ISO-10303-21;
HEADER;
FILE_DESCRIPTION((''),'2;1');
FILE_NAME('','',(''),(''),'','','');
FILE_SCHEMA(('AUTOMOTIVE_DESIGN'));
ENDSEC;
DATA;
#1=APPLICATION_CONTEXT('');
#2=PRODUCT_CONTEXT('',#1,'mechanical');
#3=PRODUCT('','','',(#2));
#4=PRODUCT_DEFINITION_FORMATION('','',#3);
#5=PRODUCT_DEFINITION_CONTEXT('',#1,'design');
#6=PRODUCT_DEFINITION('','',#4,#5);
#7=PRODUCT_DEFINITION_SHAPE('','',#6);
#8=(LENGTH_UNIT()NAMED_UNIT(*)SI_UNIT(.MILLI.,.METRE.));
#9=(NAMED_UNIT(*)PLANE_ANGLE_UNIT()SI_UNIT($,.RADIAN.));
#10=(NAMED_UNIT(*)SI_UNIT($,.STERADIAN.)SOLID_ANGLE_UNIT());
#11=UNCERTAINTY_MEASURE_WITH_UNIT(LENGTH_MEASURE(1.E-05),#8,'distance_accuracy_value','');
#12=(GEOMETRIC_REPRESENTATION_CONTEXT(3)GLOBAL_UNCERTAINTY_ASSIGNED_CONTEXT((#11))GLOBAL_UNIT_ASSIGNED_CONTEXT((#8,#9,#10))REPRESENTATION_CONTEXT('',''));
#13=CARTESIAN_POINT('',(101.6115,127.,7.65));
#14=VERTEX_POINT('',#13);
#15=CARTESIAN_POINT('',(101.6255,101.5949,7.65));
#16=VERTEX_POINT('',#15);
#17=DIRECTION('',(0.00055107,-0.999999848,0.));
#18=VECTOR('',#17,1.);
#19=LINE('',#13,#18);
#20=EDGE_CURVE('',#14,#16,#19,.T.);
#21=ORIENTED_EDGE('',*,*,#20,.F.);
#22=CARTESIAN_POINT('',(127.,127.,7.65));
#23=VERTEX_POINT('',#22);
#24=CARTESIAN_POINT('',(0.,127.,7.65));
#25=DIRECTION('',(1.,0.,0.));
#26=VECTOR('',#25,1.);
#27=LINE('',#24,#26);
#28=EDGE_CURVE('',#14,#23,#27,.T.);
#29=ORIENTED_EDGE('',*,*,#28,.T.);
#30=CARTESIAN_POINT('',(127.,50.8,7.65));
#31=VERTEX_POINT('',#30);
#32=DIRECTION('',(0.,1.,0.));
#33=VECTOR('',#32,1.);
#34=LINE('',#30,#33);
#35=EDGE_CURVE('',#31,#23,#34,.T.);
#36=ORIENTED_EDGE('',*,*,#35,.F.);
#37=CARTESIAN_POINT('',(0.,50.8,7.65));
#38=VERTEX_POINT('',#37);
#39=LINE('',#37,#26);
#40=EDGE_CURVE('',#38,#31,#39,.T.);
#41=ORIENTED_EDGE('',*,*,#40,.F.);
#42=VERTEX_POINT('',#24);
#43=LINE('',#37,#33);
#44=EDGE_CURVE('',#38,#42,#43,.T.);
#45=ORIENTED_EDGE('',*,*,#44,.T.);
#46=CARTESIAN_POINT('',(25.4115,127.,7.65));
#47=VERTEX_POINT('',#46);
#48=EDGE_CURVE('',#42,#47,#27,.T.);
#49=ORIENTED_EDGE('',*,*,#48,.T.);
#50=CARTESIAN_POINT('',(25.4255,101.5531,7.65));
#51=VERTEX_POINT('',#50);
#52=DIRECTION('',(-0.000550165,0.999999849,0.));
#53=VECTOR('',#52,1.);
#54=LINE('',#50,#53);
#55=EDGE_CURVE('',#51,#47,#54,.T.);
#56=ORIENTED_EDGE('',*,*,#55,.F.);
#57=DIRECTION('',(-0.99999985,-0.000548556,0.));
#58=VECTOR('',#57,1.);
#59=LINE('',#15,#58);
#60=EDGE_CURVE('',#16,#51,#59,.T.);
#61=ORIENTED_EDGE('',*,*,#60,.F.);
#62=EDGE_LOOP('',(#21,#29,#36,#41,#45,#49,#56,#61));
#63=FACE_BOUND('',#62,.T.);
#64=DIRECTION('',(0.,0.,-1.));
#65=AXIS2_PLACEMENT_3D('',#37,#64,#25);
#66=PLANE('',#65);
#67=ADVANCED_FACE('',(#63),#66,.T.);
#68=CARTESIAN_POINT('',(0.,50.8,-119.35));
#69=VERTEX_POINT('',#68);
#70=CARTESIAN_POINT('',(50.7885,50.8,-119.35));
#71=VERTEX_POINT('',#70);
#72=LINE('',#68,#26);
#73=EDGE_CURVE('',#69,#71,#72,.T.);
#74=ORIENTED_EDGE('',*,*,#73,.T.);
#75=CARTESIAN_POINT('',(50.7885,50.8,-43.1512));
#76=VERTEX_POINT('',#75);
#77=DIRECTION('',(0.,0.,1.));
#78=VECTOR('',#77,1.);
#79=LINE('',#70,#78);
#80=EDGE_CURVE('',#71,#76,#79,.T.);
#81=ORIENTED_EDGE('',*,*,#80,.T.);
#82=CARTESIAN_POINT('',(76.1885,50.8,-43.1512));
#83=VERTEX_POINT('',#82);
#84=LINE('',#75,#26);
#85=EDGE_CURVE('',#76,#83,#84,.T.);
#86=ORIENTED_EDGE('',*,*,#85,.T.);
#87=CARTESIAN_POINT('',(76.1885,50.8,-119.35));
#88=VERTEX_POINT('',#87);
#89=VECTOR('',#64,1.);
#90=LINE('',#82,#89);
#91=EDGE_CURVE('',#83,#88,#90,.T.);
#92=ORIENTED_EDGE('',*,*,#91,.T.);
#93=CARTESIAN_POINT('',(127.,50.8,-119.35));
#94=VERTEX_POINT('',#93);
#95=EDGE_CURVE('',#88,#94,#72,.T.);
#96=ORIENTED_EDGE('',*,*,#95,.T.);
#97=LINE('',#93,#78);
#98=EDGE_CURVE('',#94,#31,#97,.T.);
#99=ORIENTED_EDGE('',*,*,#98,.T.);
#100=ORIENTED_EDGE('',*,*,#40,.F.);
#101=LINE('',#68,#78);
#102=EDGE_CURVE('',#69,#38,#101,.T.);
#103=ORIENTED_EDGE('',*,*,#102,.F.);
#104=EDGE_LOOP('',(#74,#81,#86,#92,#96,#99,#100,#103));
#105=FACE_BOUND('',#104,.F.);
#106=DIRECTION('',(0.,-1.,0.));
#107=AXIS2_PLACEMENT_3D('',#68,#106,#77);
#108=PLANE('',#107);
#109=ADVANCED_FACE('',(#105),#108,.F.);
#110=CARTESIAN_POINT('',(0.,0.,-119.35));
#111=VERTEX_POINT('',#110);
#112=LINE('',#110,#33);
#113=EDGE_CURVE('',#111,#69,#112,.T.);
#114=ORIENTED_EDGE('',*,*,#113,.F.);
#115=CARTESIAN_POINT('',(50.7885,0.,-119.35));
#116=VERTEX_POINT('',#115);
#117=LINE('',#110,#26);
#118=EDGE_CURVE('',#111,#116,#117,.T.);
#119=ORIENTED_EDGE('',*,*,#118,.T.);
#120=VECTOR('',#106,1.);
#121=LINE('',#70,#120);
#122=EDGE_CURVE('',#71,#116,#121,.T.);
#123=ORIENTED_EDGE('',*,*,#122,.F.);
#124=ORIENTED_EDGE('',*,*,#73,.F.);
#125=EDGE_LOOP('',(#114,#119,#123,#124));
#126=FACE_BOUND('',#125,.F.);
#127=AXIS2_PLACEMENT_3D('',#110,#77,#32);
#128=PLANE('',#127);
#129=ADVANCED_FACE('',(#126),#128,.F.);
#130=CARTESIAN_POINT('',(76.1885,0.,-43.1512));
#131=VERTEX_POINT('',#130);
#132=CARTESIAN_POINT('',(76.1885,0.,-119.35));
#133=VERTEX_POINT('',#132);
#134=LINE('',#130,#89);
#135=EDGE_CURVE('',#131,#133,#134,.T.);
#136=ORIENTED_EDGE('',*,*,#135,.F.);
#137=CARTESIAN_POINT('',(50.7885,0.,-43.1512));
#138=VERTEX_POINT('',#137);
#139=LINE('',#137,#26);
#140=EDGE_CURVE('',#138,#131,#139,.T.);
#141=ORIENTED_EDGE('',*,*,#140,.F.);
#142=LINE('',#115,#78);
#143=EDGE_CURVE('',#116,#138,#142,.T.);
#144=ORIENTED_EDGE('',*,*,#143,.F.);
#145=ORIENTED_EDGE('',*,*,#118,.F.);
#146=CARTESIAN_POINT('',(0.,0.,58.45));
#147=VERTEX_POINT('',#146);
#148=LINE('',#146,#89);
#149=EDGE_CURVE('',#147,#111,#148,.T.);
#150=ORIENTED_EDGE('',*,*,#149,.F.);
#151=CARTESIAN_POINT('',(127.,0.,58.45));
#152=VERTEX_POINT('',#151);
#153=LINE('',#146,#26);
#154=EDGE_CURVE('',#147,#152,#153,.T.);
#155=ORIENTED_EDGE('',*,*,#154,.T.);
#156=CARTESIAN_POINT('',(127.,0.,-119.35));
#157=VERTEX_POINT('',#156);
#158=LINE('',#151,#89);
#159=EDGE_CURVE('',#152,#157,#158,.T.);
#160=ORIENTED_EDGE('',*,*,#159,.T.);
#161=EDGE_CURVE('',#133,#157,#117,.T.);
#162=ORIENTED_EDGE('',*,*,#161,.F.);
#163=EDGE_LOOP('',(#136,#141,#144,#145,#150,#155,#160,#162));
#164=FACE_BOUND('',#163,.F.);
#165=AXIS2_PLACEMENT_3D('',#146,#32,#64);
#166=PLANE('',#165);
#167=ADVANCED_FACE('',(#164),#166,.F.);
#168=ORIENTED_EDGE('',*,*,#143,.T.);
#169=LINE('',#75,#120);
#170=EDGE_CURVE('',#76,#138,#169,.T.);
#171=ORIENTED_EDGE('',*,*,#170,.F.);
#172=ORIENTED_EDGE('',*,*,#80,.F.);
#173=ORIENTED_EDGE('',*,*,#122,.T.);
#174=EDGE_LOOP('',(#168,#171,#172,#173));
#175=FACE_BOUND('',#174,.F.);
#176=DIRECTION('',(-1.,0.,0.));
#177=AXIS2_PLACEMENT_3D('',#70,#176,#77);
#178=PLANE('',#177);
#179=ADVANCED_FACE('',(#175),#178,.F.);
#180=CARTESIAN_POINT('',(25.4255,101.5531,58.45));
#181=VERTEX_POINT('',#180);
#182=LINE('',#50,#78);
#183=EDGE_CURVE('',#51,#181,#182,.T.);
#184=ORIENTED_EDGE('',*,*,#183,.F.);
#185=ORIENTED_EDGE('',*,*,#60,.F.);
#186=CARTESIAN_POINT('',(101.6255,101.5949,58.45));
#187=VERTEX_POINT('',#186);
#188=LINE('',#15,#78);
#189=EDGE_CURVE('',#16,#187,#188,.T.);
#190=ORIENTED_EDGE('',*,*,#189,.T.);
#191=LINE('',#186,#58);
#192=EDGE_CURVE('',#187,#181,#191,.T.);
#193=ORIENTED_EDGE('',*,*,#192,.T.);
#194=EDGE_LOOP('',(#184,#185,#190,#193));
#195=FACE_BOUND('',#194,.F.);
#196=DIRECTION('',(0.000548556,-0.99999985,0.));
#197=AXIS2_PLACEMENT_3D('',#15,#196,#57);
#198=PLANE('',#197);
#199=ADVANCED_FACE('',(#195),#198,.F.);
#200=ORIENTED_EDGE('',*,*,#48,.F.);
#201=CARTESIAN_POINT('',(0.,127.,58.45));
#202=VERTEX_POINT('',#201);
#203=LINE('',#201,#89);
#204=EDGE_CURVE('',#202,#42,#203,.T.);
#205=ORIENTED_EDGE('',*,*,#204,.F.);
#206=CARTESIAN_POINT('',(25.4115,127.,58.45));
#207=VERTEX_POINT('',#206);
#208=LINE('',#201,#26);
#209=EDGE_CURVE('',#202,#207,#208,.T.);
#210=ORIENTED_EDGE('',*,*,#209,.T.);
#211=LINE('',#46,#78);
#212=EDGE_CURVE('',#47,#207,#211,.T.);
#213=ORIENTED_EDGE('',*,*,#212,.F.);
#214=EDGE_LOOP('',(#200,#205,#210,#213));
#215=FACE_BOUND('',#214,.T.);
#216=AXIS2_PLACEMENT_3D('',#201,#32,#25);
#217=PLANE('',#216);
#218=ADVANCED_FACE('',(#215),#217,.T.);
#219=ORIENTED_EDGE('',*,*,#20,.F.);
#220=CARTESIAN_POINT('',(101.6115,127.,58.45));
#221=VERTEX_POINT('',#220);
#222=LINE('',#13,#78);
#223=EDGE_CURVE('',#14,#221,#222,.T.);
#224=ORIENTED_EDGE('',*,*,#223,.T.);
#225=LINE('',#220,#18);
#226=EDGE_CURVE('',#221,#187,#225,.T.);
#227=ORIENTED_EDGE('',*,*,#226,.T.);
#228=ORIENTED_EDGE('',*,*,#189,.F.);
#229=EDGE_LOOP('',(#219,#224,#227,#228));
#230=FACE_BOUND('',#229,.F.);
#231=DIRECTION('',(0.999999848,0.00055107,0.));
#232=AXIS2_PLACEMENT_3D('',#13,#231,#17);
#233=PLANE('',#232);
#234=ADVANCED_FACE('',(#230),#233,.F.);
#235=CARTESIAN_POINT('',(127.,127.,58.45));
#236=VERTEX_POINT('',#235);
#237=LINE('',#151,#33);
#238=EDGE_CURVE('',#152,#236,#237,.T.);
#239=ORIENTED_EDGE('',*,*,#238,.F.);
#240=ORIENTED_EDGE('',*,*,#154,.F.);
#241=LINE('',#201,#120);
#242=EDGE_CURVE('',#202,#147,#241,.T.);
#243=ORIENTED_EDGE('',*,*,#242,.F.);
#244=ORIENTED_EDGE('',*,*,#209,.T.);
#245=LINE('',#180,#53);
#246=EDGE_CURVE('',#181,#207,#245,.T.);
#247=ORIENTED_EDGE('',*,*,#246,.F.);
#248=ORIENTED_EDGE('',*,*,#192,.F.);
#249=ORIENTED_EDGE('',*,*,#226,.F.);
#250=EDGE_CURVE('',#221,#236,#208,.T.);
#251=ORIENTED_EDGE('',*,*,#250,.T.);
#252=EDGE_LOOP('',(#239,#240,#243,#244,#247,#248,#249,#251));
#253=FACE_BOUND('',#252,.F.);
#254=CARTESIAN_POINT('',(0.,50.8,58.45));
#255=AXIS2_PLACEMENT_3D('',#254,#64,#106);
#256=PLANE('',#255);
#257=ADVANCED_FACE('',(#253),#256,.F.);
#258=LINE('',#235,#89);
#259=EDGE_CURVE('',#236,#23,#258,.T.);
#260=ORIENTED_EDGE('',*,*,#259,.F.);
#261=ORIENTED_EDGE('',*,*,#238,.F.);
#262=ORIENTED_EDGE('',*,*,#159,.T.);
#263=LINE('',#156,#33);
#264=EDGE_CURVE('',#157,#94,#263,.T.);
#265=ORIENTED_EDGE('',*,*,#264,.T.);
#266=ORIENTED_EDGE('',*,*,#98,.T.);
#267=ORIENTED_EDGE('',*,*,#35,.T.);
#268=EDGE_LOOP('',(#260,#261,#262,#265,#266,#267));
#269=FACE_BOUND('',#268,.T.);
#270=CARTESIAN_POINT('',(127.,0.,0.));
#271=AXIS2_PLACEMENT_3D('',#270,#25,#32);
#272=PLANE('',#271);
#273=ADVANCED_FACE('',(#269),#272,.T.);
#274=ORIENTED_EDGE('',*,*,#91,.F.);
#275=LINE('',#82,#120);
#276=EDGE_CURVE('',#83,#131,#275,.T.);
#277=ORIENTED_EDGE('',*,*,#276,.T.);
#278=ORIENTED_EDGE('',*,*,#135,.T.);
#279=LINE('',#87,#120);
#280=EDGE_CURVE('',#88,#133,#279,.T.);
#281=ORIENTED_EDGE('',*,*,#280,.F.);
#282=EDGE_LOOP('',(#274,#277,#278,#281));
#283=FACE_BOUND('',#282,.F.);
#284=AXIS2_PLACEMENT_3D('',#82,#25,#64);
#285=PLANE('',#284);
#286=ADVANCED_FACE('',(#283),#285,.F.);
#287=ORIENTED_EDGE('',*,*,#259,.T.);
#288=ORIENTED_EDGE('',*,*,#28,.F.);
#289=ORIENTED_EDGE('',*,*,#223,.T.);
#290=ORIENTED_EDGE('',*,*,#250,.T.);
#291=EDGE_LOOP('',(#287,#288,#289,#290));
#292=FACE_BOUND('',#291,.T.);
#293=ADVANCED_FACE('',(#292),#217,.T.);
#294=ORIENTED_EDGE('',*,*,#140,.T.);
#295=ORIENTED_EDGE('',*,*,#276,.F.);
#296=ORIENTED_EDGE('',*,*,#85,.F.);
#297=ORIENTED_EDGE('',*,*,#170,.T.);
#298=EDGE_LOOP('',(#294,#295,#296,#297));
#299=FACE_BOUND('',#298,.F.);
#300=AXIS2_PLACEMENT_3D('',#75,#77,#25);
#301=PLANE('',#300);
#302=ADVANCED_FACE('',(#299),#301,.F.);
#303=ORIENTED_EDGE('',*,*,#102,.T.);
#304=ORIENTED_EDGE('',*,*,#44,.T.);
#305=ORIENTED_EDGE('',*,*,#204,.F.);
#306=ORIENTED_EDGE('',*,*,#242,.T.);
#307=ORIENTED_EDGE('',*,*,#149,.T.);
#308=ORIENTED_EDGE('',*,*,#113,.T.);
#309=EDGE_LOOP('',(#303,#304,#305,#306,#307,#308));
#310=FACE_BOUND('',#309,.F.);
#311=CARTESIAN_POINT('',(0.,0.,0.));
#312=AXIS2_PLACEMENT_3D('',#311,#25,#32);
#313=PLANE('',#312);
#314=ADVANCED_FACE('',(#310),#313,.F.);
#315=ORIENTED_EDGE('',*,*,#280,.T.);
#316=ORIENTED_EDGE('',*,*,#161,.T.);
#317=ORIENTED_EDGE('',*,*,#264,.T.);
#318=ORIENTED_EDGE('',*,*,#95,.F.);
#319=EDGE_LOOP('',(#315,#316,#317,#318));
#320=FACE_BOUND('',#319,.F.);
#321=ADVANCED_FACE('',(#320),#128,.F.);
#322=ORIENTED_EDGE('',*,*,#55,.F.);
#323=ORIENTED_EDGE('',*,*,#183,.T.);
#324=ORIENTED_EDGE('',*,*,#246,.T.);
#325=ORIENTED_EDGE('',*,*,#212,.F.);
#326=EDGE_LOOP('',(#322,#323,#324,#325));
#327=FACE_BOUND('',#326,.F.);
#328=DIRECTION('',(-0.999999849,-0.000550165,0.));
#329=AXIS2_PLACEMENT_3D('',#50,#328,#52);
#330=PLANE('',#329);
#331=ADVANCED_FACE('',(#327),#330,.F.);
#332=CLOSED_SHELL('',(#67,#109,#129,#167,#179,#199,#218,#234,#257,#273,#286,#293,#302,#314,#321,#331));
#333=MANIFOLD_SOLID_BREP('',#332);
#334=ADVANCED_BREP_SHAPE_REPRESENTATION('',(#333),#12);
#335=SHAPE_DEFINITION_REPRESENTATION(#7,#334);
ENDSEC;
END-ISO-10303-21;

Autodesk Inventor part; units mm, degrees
ref_plane "YZ Plane" through (0, 0, 0) normal (1, 0, 0) x (0, 1, 0)
ref_plane "XZ Plane" through (0, 0, 0) normal (0, 1, 0) x (-1, 0, 0)
ref_plane "XY Plane" through (0, 0, 0) normal (0, 0, 1) x (1, 0, 0)
sketch "Sketch1" plane through (0, 0, 0) normal (1, 0, 0) x (0, 1, 0)
  line L0 (0, 58.45) -> (0, -119.35)
  line L1 (0, -119.35) -> (50.8, -119.35)
  line L2 (50.8, -119.35) -> (50.8, 58.45)
  line L3 (50.8, 58.45) -> (0, 58.45)
  point P0 (0, 0)
  dimension "d0" = 177.8
  dimension "d1" = 50.8
  dimension "d2" = 177.8
extrude "Extrusion1" add sketch "Sketch1" along normal blind 127
sketch "Sketch2" plane through (0, 50.8, 58.45) normal (0, 1, 0) x (1, 0, 0)
  line L0 (0, 0) -> (0, 50.8)
  line L1 (0, 0) -> (0, 177.8) projected
  line L2 (0, 50.8) -> (127, 50.8)
  line L3 (127, 0) -> (127, 177.8) projected
  line L4 (127, 50.8) -> (127, 0)
  line L5 (0, 0) -> (127, 0) projected
  line L6 (127, 0) -> (0, 0)
  point P0 (0, 58.45)
  dimension "d5" = 50.8
extrude "Extrusion2" add sketch "Sketch2" along normal blind 76.2
sketch "Sketch3" plane through (0, 50.8, -119.35) normal (0, 1, 0) x (1, 0, 0)
  line L0 (0, 0) -> (127, 0) projected
  line L1 (50.7885, 0) -> (50.7885, -76.1988)
  line L2 (50.7885, -76.1988) -> (76.1885, -76.1988)
  line L3 (76.1885, -76.1988) -> (76.1885, 0)
  line L4 (50.7885, 0) -> (76.1885, 0)
  point P0 (0, -119.35)
  dimension "d8" = 25.4
extrude "Extrusion3" cut sketch "Sketch3" against normal blind 50.8
sketch "Sketch4" plane through (127, 50.8, 7.65) normal (0, 0, -1) x (-1, 0, 0)
  line L0 (0, 76.2) -> (127, 76.2) projected
  line L1 (25.3885, 76.2) -> (25.3745, 50.7949)
  line L2 (25.3745, 50.7949) -> (101.5745, 50.7531)
  line L3 (101.5745, 50.7531) -> (101.5885, 76.2)
  line L4 (25.3885, 76.2) -> (101.5885, 76.2)
  point P0 (127, -50.8)
  dimension "d11" = 76.2
extrude "Extrusion4" cut sketch "Sketch4" against normal blind 50.8
properties part number "AddSub (1)"
